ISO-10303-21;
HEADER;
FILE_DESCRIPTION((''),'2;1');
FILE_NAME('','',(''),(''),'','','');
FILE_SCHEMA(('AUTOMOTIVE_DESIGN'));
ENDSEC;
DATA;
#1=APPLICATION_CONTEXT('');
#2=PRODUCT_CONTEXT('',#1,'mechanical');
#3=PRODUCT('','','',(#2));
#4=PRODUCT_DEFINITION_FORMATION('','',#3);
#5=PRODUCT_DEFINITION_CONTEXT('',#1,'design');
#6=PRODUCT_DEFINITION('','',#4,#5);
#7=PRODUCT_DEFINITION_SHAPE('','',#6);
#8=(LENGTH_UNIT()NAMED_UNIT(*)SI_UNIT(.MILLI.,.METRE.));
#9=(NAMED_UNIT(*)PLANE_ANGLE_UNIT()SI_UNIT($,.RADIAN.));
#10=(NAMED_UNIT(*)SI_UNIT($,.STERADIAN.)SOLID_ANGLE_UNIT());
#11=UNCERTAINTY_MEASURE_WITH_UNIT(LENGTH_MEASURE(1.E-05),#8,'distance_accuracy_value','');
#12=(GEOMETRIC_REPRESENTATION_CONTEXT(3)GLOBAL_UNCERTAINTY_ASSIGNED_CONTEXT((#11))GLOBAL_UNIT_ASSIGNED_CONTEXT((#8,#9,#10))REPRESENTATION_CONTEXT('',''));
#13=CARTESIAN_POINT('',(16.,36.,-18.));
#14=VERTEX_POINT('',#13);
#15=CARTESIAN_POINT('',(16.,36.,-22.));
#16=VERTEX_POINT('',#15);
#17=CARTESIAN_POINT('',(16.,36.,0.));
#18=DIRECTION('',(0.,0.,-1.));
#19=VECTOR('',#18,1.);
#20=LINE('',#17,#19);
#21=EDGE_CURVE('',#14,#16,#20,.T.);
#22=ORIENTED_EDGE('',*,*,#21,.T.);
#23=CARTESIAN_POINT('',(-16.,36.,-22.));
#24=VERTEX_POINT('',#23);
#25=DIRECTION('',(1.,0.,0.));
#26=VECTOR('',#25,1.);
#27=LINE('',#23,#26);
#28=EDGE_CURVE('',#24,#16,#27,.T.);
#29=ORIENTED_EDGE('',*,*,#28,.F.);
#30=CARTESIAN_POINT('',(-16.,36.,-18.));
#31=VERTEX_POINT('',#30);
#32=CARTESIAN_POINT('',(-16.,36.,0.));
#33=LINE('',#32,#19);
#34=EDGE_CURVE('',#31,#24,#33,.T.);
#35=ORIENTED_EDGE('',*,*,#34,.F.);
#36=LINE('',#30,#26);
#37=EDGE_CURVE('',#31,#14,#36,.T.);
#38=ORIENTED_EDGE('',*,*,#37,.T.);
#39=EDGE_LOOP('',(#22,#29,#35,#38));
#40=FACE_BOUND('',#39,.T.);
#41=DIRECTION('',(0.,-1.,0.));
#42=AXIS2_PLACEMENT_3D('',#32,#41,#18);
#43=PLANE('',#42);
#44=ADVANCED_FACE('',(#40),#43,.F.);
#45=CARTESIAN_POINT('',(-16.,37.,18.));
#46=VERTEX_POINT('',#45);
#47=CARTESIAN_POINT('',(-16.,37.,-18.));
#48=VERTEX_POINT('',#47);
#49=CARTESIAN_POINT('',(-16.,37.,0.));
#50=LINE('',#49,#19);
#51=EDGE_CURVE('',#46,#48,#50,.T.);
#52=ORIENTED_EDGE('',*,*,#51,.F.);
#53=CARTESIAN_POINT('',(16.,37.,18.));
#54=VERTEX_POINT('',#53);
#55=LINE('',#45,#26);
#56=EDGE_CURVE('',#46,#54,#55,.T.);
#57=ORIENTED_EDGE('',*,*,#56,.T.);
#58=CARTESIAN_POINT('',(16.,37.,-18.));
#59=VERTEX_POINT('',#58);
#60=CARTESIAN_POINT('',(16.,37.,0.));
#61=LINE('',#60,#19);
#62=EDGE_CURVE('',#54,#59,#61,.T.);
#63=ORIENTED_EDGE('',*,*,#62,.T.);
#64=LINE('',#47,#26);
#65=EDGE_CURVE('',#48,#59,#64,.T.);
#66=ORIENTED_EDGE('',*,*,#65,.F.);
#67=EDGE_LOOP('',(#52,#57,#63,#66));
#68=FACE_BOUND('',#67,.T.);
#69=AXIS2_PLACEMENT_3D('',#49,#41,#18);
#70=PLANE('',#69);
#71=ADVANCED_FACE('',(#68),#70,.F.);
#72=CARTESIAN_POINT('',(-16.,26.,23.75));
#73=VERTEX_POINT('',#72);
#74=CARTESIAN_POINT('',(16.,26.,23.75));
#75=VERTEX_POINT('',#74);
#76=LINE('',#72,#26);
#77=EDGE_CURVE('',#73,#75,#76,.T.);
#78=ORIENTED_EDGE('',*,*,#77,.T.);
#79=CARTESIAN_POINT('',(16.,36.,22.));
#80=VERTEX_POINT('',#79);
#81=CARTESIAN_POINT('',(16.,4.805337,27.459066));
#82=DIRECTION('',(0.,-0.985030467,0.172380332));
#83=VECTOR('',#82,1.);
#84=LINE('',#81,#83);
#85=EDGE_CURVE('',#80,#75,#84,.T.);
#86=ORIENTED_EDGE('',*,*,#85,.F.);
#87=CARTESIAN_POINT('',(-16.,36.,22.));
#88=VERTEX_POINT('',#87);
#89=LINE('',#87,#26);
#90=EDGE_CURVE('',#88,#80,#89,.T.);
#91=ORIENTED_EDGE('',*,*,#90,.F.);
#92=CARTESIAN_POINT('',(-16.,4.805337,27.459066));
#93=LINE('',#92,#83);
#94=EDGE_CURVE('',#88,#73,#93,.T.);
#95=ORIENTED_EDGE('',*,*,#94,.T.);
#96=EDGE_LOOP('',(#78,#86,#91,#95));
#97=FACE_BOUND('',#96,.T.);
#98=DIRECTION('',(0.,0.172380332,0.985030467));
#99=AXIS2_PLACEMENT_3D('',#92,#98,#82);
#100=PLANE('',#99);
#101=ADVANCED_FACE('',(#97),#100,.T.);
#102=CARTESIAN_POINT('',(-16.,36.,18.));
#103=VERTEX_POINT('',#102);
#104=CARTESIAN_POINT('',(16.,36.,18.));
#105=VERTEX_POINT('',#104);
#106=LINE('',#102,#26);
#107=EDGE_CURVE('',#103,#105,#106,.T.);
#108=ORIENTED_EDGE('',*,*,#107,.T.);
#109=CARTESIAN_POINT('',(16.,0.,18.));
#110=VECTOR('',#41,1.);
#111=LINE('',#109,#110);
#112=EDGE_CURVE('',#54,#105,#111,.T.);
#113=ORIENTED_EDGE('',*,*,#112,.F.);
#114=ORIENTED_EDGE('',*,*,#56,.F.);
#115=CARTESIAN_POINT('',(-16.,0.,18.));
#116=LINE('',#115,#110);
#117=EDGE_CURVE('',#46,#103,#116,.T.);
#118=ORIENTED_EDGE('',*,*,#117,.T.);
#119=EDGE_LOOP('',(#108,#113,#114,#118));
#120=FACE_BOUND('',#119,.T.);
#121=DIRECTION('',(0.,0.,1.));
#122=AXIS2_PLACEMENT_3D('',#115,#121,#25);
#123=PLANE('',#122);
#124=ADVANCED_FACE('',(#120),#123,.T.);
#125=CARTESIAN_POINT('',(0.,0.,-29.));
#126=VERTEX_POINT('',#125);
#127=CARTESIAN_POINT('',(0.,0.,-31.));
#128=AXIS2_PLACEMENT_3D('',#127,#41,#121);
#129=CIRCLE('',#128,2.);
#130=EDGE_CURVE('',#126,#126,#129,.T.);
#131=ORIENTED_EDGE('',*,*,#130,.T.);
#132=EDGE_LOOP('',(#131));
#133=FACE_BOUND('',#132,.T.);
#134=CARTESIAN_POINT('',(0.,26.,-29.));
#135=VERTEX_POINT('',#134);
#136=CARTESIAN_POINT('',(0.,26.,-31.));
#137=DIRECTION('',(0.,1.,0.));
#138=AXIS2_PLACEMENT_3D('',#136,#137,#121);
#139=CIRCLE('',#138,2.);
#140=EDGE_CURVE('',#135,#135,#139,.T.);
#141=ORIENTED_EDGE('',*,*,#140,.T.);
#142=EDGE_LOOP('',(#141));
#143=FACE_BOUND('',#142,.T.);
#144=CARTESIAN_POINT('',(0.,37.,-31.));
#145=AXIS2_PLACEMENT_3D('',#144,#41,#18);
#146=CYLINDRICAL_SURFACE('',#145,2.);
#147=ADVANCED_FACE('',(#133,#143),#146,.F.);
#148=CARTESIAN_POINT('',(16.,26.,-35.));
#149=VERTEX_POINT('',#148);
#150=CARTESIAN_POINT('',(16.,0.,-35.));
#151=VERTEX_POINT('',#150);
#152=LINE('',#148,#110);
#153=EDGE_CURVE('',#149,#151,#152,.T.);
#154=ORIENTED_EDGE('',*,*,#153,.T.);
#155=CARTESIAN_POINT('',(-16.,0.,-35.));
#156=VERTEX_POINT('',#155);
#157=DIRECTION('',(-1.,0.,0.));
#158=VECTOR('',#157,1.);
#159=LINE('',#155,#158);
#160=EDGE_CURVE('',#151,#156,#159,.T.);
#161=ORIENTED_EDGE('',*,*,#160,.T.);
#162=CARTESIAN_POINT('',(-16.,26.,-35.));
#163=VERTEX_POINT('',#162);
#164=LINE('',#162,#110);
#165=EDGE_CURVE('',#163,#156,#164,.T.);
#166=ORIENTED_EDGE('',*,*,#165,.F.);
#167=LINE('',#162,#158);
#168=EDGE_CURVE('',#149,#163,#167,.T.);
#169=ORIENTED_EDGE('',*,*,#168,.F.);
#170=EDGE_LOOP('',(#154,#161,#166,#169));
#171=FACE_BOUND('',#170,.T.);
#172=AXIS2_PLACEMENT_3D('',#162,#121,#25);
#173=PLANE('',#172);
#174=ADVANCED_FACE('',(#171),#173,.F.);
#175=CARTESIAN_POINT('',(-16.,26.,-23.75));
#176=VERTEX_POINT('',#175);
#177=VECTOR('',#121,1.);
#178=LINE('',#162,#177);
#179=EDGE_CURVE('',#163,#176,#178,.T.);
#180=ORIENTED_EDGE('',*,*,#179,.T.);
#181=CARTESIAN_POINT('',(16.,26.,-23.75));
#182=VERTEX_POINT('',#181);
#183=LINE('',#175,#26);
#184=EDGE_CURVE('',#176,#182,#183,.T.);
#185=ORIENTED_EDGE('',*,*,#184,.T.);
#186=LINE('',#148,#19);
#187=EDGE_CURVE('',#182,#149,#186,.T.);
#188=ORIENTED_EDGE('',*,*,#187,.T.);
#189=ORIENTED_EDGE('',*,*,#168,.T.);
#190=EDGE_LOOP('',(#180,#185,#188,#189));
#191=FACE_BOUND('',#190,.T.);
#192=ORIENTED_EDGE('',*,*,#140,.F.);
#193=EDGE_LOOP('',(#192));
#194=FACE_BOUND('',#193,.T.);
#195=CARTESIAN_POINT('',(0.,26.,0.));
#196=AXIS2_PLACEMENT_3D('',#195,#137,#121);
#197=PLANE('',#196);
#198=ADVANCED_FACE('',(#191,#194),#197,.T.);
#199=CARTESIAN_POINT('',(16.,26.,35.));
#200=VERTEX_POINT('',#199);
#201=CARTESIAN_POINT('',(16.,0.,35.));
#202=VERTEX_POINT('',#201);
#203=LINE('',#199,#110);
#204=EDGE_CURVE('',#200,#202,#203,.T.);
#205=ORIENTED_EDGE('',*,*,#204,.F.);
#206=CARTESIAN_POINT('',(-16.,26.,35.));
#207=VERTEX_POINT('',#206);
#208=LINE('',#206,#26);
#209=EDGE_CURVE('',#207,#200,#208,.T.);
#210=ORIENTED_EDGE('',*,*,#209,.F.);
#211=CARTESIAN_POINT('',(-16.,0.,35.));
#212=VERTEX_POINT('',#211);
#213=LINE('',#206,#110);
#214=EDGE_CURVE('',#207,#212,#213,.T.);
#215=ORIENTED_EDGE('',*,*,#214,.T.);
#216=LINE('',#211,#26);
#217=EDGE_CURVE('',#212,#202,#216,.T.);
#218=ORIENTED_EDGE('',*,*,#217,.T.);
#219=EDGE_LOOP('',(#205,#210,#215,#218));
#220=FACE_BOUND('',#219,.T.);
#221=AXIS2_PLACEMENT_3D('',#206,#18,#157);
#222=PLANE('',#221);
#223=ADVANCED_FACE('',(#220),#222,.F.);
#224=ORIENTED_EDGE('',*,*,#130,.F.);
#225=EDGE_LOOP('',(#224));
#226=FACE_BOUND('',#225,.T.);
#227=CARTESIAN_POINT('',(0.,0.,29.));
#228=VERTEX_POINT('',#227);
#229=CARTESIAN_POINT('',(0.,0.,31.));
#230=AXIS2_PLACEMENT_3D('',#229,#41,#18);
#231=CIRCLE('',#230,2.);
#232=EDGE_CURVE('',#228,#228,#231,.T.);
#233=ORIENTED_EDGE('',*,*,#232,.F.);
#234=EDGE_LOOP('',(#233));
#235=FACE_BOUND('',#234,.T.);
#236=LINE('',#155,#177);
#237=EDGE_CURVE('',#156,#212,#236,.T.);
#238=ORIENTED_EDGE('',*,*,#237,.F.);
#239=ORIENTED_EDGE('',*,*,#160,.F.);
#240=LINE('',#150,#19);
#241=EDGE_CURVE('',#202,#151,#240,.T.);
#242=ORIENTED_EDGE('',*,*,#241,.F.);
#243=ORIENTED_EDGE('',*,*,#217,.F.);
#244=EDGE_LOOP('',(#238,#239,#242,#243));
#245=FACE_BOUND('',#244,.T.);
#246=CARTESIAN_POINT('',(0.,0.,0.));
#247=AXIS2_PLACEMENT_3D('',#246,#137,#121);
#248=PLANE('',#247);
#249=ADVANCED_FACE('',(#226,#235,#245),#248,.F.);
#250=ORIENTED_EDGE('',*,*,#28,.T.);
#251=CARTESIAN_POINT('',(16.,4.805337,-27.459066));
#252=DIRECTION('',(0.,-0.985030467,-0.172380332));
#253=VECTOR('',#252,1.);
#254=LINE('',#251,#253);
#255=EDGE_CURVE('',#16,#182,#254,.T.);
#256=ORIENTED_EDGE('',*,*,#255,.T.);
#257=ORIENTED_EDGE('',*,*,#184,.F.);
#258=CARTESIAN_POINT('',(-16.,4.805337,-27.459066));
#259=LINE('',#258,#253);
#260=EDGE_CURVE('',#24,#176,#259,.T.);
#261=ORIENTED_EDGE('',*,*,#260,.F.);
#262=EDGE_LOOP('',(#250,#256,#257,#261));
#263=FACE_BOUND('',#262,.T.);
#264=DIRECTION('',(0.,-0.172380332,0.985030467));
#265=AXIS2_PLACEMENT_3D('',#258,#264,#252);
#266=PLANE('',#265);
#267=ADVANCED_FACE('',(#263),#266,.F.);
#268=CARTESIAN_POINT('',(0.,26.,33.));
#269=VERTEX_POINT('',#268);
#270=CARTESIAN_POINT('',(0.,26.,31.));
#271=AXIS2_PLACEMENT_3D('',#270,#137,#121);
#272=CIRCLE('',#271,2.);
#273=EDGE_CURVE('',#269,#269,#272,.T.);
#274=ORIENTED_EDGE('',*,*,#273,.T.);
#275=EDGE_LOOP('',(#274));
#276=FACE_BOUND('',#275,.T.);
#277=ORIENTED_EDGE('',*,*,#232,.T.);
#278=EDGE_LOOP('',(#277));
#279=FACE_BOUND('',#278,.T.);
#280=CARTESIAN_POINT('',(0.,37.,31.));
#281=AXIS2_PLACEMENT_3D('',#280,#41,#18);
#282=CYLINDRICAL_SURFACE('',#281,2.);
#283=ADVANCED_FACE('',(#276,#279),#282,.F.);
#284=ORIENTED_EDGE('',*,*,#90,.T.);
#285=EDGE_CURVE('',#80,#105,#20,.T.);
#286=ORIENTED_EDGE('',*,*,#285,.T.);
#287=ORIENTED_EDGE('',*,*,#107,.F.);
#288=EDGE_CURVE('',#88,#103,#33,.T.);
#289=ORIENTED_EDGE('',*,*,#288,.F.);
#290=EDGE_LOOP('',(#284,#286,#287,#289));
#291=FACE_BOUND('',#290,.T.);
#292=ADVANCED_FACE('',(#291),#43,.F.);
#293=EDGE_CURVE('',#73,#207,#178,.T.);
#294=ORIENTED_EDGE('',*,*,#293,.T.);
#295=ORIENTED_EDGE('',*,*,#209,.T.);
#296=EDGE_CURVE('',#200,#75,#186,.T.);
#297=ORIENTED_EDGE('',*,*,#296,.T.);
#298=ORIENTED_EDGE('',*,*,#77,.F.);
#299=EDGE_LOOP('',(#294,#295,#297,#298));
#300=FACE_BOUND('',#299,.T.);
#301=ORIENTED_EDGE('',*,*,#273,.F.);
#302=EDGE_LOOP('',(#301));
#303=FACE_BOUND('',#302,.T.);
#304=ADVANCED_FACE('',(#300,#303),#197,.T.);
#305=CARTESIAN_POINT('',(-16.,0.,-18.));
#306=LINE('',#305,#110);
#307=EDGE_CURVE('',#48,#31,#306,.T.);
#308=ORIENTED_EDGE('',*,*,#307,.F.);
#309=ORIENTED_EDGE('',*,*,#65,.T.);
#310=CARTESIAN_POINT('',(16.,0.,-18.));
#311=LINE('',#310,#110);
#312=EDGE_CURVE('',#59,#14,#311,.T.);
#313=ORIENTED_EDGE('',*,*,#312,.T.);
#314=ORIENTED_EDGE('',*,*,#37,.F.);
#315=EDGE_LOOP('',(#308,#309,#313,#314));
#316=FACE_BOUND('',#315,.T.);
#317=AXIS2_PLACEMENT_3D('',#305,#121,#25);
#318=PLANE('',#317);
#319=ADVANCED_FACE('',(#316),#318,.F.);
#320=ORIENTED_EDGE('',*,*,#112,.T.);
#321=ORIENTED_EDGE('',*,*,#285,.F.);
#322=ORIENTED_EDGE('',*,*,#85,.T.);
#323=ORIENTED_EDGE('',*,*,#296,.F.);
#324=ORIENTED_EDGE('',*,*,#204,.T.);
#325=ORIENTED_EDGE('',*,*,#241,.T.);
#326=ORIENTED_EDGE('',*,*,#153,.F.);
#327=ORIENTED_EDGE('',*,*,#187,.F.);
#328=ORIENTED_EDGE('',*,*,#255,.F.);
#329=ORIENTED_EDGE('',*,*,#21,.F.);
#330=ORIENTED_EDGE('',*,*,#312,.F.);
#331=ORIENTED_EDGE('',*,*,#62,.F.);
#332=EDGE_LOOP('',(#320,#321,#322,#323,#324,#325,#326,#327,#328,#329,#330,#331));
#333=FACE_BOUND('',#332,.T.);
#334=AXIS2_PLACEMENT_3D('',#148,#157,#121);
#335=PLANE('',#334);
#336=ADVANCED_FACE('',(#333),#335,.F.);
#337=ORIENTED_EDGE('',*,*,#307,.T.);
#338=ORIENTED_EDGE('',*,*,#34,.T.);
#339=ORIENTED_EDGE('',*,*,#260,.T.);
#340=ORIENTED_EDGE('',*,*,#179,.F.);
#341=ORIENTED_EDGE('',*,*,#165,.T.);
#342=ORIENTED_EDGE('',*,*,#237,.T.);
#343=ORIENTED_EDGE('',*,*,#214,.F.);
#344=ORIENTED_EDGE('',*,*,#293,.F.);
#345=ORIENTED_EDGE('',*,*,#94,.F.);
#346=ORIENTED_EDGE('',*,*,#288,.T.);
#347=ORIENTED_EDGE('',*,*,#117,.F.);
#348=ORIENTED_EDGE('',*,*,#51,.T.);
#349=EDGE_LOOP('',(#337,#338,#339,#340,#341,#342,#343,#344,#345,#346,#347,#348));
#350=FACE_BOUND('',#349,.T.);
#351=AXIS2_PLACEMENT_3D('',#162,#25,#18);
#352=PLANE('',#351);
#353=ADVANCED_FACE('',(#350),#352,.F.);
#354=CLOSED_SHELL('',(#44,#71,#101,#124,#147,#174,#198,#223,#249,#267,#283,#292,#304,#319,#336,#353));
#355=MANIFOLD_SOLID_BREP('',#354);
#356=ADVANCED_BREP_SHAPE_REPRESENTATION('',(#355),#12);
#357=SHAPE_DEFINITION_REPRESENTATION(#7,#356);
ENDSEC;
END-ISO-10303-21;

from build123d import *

# Parameters (mm, degrees)
SKETCH_1_W          = 32
SKETCH_1_H          = 70
EXTRUDE_1_DEPTH     = 26
SKETCH_2_W          = 36
SKETCH_2_H          = 1
EXTRUDE_2_DEPTH     = 32
SKETCH_3_R          = 2
CUT_EXTRUDE_1_DEPTH = 54.38539126


with BuildPart() as part:
    # ｽｹｯﾁ1 → ﾎﾞｽ - 押し出し1 (new body)
    with BuildSketch(Plane(origin=(0, 0, 0), x_dir=(1, 0, 0), z_dir=(0, 1, 0))):
        Rectangle(SKETCH_1_W, SKETCH_1_H)
    extrude(amount=EXTRUDE_1_DEPTH)

    # ｽｹｯﾁ2 → ﾎﾞｽ - 押し出し2 (add)
    with BuildSketch(Plane(origin=(16, 0, 0), x_dir=(0, 0, -1), z_dir=(1, 0, 0))):
        Polygon((-18, 36), (-22, 36), (-22, 26), (22, 26), (22, 36), (18, 36), align=None)
        with Locations((0, 36.5)):
            Rectangle(SKETCH_2_W, SKETCH_2_H)
        Polygon((-22, 26), (-22, 36), (-23.75, 26), align=None)
        Polygon((22, 36), (22, 26), (23.75, 26), align=None)
    extrude(amount=-EXTRUDE_2_DEPTH)

    # ｽｹｯﾁ3 → ｶｯﾄ - 押し出し1 (cut, through all)
    with BuildSketch(Plane.XZ):
        with Locations(Location((0, 31, 0), (0, 0, 270))):
            Circle(SKETCH_3_R)
        with Locations(Location((0, -31, 0), (0, 0, 90))):
            Circle(SKETCH_3_R)
    extrude(amount=-CUT_EXTRUDE_1_DEPTH, mode=Mode.SUBTRACT)


solid = part.part
